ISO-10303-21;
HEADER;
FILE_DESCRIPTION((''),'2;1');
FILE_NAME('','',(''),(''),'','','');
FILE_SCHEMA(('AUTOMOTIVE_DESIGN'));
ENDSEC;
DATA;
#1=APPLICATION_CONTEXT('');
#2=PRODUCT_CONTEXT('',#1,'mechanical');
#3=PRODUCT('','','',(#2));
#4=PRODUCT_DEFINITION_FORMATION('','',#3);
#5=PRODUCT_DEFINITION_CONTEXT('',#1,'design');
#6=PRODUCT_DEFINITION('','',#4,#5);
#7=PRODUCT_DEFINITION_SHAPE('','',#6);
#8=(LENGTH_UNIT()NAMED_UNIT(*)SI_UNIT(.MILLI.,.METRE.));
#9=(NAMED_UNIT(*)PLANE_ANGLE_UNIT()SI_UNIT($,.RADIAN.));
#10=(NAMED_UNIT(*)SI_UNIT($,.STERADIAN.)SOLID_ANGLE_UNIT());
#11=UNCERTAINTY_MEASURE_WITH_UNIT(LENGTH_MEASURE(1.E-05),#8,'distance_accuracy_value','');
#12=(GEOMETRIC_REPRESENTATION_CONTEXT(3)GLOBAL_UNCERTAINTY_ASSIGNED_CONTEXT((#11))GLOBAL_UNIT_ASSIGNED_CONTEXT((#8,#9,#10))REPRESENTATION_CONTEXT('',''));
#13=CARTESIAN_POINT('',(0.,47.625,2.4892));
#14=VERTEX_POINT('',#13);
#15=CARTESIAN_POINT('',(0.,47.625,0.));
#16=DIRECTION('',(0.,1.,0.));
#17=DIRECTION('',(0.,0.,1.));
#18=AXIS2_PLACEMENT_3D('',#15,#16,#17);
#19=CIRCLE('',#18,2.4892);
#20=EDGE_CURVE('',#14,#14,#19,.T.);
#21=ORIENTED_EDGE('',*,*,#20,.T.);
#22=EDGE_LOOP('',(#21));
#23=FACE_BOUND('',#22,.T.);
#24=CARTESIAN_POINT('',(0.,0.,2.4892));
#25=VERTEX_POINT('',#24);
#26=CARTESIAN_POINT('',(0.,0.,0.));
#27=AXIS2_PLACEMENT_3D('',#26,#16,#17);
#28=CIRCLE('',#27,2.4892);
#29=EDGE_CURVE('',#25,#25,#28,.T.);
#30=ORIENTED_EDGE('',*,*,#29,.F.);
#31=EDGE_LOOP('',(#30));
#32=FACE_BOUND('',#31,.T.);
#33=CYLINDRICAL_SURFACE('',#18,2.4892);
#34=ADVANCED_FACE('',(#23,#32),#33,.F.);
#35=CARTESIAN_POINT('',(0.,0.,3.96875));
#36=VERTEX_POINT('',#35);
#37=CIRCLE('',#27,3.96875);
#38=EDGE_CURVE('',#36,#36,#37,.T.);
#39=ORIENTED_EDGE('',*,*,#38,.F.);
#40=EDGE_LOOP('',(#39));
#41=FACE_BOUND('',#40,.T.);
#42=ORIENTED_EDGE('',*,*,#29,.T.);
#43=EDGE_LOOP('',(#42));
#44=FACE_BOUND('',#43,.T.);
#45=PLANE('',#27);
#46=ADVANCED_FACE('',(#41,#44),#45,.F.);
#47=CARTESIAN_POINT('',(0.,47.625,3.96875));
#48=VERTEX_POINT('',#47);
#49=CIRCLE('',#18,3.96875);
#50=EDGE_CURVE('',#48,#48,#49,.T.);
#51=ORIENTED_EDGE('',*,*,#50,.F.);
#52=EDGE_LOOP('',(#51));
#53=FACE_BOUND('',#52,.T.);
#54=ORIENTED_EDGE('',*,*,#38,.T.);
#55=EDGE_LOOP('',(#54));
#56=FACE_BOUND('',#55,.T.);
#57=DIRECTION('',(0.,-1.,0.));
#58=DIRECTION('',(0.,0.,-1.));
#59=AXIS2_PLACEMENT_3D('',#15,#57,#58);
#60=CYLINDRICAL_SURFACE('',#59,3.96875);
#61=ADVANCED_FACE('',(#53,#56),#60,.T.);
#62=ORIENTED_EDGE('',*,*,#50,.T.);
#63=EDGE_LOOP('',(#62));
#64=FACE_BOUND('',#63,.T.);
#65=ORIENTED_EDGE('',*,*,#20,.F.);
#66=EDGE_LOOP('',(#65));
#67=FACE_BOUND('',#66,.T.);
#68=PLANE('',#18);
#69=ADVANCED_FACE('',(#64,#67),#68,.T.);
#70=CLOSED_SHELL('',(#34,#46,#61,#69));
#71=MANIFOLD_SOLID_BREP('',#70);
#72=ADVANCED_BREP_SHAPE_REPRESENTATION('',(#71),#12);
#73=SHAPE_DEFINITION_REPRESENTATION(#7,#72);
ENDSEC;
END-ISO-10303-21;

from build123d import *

# Parameters (mm, degrees)
SKETCH1_R                  = 3.96875
BOSS_EXTRUDE1_DEPTH        = 47.625
F_9_0_196_DIAMETER_HOLE1_D = 4.9784


with BuildPart() as part:
    # Sketch1 → Boss-Extrude1 (new body)
    with BuildSketch(Plane(origin=(0, 0, 0), x_dir=(-1, 0, 0), z_dir=(0, 1, 0))):
        with Locations(Location((0, 0, 0), (0, 0, 90))):
            Circle(SKETCH1_R)
    extrude(amount=BOSS_EXTRUDE1_DEPTH)

    # #9 (0.196) Diameter Hole1 (through all)
    with Locations(Plane(origin=(0, 47.625, 0), x_dir=(-1, 0, 0), z_dir=(0, 1, 0))):
        with Locations((0, 0)):
            Hole(F_9_0_196_DIAMETER_HOLE1_D / 2)


solid = part.part
